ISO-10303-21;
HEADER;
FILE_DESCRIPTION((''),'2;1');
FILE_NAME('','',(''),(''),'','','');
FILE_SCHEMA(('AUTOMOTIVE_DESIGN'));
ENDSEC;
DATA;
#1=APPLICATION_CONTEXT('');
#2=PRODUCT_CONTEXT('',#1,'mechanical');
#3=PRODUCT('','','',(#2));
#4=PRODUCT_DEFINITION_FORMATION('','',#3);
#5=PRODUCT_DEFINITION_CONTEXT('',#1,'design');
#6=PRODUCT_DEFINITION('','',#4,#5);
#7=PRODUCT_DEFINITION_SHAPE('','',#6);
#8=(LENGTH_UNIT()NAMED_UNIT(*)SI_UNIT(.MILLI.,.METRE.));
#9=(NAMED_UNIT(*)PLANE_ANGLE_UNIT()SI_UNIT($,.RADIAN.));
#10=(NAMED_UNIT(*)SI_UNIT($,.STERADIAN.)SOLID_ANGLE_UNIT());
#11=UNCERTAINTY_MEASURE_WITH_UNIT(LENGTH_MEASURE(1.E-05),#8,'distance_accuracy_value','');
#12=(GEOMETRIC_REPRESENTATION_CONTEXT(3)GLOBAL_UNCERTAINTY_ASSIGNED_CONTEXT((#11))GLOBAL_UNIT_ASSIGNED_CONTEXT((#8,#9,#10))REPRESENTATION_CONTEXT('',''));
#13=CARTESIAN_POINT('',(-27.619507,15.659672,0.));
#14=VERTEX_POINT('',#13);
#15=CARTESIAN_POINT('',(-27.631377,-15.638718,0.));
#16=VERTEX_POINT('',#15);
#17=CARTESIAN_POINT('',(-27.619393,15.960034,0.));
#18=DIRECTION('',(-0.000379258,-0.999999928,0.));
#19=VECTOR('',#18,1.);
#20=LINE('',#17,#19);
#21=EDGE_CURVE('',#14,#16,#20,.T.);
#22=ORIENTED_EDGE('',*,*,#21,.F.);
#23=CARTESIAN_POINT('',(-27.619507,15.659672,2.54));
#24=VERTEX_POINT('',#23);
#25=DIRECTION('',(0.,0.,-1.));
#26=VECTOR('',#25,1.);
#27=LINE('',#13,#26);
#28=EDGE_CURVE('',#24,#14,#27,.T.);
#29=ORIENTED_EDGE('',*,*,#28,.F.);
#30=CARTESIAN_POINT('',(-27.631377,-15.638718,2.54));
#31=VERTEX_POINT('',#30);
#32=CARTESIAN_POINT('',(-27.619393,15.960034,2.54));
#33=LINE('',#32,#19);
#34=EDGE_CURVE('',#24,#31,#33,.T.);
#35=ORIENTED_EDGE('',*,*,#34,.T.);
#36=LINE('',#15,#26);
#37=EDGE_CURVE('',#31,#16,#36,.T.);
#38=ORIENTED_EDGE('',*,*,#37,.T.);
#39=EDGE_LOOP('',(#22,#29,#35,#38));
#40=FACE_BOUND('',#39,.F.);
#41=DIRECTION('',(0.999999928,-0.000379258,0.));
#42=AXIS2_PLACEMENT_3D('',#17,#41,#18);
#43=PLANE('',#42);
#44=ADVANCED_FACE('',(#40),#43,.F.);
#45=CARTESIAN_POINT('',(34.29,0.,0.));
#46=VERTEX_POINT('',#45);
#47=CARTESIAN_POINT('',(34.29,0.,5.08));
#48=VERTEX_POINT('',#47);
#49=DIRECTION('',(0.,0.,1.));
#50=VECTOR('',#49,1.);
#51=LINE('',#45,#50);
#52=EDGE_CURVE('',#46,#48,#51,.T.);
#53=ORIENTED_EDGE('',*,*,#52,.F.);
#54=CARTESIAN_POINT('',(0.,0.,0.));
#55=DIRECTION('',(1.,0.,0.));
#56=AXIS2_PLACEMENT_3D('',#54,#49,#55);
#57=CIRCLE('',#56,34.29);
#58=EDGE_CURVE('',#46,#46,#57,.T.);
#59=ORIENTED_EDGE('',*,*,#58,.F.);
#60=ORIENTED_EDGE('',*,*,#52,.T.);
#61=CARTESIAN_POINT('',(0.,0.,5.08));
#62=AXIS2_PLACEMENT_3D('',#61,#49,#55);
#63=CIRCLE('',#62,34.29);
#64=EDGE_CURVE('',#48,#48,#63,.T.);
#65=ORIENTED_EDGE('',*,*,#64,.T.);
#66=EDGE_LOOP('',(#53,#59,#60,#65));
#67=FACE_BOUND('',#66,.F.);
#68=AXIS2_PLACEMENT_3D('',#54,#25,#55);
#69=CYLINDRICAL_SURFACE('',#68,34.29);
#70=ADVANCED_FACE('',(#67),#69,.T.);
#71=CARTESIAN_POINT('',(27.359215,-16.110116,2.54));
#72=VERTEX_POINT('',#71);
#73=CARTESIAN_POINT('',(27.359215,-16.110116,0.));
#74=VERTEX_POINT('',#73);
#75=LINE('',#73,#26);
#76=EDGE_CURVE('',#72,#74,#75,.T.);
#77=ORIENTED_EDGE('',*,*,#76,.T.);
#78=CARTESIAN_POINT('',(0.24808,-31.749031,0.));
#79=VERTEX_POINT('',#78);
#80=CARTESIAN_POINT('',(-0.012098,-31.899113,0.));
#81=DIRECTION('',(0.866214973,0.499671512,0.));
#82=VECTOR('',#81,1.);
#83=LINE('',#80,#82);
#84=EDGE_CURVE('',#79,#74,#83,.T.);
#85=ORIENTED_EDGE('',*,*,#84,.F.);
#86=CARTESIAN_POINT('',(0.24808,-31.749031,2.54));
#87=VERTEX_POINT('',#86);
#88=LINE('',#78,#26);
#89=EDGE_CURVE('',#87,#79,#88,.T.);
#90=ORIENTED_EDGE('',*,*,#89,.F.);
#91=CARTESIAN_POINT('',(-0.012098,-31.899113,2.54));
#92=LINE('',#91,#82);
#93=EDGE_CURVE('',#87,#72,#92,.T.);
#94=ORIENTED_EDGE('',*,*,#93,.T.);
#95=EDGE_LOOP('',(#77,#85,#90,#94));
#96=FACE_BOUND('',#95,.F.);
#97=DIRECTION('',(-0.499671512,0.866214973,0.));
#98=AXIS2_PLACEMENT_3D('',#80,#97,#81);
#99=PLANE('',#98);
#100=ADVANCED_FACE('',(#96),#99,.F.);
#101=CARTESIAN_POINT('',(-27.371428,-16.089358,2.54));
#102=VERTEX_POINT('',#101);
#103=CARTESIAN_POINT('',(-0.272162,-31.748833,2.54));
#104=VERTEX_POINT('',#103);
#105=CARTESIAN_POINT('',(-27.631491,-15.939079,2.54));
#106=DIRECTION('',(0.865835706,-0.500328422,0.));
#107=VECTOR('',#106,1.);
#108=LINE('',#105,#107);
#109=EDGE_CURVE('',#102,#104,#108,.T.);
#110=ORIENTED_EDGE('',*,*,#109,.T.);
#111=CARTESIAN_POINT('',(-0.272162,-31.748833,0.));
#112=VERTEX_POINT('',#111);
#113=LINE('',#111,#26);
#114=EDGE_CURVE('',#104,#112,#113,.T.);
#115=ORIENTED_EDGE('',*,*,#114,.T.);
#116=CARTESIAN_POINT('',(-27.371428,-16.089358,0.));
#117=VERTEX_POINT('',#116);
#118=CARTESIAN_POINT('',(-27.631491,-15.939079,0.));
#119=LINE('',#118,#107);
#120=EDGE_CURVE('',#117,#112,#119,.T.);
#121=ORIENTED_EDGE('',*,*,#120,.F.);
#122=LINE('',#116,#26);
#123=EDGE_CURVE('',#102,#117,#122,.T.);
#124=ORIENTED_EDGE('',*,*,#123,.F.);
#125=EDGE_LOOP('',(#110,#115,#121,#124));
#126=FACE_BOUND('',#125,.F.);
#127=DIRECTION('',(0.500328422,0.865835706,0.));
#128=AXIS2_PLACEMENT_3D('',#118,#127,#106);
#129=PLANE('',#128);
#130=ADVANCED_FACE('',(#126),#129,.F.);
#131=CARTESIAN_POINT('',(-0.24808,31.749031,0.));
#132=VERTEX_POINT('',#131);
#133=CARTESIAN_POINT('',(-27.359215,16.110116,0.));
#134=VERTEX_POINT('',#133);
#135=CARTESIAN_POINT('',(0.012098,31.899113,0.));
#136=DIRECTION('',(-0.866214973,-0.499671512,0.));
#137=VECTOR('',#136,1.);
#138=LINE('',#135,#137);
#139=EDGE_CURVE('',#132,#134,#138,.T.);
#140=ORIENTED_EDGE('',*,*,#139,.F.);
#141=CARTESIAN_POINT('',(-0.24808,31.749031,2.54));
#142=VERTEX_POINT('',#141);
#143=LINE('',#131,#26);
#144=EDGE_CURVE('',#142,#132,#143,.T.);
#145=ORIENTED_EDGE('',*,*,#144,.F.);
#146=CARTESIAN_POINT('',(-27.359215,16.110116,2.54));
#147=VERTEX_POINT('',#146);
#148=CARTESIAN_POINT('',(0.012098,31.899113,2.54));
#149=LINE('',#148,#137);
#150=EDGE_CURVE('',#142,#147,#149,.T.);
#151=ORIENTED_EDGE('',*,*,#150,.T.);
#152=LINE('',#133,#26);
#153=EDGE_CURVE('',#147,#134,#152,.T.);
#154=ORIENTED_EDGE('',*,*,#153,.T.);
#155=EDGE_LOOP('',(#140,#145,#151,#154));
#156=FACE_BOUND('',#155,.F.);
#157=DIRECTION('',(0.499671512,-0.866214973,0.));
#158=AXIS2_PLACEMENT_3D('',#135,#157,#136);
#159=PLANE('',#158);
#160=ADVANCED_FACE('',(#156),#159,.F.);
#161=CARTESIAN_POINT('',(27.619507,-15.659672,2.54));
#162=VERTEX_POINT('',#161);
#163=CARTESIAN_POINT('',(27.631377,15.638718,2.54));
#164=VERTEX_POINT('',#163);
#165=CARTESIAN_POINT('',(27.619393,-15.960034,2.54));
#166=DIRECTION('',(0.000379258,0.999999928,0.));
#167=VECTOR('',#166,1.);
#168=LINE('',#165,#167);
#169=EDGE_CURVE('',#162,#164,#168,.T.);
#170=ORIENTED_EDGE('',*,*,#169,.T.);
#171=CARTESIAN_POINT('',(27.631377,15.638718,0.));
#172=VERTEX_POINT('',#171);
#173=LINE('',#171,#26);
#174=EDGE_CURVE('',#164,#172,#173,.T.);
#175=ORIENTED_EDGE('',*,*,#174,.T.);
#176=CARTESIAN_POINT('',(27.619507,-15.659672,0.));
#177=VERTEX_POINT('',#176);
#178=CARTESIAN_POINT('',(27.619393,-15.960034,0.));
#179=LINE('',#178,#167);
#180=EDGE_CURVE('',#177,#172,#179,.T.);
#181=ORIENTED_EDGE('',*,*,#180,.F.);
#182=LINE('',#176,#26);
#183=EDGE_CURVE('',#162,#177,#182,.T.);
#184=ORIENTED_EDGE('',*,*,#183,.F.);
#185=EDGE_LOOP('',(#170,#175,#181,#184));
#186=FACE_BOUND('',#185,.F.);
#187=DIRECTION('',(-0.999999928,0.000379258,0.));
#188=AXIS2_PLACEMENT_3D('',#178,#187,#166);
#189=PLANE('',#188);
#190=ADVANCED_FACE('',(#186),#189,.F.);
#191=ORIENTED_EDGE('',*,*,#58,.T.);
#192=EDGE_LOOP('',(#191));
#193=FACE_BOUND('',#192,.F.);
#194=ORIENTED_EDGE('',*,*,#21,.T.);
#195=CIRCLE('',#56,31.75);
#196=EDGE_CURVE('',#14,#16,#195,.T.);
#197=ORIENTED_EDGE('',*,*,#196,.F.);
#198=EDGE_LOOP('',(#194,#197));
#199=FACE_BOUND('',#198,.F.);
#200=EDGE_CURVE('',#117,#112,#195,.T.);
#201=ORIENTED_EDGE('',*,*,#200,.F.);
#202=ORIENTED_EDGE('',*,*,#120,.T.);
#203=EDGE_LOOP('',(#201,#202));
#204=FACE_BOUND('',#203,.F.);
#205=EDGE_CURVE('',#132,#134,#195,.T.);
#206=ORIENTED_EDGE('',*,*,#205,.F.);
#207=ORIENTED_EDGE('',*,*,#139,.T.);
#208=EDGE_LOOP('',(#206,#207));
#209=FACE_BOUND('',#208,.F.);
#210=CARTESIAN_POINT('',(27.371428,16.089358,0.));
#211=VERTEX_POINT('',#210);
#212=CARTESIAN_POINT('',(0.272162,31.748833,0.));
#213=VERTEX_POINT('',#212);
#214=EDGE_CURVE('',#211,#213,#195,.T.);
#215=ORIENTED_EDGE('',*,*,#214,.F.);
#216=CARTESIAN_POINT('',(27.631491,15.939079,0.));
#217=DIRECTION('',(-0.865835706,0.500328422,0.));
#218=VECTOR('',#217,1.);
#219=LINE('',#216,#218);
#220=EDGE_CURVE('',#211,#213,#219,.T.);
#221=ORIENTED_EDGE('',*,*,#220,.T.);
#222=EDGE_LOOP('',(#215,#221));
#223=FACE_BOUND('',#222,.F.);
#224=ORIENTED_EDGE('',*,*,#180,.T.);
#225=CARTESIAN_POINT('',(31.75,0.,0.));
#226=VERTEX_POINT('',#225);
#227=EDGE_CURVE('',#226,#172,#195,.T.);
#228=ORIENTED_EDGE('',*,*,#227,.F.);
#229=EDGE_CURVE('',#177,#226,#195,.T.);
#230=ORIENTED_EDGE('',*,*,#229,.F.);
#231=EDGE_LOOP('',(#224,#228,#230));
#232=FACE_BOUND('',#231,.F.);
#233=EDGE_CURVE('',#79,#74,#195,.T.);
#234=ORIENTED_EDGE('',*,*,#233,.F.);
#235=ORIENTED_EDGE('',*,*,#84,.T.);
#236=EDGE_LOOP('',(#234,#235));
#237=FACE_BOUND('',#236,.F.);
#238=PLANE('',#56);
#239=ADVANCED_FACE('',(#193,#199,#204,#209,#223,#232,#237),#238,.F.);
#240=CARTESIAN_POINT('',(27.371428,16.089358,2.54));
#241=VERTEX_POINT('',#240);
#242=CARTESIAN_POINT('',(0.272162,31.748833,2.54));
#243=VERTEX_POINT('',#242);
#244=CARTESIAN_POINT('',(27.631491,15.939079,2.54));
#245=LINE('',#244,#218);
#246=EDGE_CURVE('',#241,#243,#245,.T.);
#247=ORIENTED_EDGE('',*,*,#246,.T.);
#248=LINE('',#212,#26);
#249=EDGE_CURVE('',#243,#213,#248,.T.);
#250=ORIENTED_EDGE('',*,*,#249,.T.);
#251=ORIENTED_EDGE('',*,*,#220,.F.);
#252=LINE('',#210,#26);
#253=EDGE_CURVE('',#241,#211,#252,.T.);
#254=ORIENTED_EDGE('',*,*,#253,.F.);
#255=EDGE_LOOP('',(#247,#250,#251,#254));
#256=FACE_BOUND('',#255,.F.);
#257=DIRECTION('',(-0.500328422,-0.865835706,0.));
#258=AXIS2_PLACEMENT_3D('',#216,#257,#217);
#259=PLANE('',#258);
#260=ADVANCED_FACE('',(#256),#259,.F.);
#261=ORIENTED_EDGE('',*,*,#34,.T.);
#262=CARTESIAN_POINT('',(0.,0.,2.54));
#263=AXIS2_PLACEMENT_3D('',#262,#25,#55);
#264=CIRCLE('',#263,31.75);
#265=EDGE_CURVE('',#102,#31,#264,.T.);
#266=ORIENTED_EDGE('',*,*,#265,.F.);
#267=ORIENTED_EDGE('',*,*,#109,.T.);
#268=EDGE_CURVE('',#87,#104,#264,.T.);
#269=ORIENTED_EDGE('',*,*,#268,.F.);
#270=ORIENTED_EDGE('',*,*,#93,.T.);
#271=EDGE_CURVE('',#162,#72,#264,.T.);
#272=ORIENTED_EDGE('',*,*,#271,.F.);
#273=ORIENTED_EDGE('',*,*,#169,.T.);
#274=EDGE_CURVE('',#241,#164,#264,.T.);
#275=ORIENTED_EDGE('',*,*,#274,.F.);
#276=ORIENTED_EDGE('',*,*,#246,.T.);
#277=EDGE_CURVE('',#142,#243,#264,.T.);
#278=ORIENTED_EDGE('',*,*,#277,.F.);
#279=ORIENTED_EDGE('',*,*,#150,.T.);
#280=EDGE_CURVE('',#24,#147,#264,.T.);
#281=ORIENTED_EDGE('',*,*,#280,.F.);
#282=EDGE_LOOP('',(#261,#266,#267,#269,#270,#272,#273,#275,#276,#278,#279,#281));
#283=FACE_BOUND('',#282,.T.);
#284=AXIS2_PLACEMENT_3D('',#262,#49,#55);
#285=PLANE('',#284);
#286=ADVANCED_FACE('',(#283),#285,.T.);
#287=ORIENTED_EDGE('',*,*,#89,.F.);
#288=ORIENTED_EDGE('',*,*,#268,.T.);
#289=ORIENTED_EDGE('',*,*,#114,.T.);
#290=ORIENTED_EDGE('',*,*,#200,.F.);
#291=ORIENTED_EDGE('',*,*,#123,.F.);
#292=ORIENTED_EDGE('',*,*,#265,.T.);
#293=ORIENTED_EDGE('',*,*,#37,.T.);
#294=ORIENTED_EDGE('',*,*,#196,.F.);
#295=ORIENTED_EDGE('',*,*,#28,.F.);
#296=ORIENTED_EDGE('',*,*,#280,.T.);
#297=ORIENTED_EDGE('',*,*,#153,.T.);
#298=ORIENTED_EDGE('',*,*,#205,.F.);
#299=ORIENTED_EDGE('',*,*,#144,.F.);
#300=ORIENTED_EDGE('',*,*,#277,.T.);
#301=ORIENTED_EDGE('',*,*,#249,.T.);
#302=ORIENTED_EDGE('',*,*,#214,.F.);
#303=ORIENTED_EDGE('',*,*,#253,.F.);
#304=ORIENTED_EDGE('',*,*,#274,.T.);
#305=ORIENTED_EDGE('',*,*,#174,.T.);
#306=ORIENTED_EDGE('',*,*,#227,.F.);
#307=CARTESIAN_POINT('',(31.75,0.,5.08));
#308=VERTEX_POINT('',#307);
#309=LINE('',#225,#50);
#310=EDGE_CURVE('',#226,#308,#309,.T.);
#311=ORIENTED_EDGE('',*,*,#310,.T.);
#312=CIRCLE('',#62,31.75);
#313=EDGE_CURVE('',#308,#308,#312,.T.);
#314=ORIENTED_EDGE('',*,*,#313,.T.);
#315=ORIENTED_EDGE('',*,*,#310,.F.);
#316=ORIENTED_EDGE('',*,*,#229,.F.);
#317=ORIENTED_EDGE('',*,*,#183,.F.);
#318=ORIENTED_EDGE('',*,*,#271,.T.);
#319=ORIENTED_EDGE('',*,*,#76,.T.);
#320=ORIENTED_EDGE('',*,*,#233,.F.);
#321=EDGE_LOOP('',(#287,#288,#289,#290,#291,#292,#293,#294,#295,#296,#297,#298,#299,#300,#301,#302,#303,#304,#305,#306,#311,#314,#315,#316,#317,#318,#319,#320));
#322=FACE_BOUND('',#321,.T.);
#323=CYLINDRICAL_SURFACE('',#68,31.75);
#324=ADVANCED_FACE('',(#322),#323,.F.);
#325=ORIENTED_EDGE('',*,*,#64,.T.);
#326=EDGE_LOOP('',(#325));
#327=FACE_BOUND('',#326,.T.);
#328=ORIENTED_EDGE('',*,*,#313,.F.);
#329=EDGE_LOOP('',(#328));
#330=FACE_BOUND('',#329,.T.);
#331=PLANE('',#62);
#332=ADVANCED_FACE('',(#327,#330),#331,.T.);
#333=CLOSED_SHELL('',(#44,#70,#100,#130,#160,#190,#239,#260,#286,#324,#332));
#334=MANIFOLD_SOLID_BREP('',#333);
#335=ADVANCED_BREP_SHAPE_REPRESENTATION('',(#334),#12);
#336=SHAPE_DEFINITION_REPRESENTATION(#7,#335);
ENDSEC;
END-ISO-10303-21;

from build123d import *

# Parameters (mm, degrees)
F0_R     = 34.29
F0_R_2   = 31.75
F1_DEPTH = 5.08
F3_DEPTH = 2.54


with BuildPart() as f1:
    # F0 (on Top) → F1 (new body)
    with BuildSketch(Plane.XY):
        Circle(F0_R)
        Circle(F0_R_2, mode=Mode.SUBTRACT)
    extrude(amount=F1_DEPTH)

    # F2 (on Top) → F3 (join)
    with BuildSketch(Plane.XY):
        Polygon((27.631491, 15.939079), (0.012098, 31.899113), (-27.619393, 15.960034), (-27.631491, -15.939079), (-0.012098, -31.899113), (27.619393, -15.960034), align=None)
    extrude(amount=F3_DEPTH)


solid = f1.part
